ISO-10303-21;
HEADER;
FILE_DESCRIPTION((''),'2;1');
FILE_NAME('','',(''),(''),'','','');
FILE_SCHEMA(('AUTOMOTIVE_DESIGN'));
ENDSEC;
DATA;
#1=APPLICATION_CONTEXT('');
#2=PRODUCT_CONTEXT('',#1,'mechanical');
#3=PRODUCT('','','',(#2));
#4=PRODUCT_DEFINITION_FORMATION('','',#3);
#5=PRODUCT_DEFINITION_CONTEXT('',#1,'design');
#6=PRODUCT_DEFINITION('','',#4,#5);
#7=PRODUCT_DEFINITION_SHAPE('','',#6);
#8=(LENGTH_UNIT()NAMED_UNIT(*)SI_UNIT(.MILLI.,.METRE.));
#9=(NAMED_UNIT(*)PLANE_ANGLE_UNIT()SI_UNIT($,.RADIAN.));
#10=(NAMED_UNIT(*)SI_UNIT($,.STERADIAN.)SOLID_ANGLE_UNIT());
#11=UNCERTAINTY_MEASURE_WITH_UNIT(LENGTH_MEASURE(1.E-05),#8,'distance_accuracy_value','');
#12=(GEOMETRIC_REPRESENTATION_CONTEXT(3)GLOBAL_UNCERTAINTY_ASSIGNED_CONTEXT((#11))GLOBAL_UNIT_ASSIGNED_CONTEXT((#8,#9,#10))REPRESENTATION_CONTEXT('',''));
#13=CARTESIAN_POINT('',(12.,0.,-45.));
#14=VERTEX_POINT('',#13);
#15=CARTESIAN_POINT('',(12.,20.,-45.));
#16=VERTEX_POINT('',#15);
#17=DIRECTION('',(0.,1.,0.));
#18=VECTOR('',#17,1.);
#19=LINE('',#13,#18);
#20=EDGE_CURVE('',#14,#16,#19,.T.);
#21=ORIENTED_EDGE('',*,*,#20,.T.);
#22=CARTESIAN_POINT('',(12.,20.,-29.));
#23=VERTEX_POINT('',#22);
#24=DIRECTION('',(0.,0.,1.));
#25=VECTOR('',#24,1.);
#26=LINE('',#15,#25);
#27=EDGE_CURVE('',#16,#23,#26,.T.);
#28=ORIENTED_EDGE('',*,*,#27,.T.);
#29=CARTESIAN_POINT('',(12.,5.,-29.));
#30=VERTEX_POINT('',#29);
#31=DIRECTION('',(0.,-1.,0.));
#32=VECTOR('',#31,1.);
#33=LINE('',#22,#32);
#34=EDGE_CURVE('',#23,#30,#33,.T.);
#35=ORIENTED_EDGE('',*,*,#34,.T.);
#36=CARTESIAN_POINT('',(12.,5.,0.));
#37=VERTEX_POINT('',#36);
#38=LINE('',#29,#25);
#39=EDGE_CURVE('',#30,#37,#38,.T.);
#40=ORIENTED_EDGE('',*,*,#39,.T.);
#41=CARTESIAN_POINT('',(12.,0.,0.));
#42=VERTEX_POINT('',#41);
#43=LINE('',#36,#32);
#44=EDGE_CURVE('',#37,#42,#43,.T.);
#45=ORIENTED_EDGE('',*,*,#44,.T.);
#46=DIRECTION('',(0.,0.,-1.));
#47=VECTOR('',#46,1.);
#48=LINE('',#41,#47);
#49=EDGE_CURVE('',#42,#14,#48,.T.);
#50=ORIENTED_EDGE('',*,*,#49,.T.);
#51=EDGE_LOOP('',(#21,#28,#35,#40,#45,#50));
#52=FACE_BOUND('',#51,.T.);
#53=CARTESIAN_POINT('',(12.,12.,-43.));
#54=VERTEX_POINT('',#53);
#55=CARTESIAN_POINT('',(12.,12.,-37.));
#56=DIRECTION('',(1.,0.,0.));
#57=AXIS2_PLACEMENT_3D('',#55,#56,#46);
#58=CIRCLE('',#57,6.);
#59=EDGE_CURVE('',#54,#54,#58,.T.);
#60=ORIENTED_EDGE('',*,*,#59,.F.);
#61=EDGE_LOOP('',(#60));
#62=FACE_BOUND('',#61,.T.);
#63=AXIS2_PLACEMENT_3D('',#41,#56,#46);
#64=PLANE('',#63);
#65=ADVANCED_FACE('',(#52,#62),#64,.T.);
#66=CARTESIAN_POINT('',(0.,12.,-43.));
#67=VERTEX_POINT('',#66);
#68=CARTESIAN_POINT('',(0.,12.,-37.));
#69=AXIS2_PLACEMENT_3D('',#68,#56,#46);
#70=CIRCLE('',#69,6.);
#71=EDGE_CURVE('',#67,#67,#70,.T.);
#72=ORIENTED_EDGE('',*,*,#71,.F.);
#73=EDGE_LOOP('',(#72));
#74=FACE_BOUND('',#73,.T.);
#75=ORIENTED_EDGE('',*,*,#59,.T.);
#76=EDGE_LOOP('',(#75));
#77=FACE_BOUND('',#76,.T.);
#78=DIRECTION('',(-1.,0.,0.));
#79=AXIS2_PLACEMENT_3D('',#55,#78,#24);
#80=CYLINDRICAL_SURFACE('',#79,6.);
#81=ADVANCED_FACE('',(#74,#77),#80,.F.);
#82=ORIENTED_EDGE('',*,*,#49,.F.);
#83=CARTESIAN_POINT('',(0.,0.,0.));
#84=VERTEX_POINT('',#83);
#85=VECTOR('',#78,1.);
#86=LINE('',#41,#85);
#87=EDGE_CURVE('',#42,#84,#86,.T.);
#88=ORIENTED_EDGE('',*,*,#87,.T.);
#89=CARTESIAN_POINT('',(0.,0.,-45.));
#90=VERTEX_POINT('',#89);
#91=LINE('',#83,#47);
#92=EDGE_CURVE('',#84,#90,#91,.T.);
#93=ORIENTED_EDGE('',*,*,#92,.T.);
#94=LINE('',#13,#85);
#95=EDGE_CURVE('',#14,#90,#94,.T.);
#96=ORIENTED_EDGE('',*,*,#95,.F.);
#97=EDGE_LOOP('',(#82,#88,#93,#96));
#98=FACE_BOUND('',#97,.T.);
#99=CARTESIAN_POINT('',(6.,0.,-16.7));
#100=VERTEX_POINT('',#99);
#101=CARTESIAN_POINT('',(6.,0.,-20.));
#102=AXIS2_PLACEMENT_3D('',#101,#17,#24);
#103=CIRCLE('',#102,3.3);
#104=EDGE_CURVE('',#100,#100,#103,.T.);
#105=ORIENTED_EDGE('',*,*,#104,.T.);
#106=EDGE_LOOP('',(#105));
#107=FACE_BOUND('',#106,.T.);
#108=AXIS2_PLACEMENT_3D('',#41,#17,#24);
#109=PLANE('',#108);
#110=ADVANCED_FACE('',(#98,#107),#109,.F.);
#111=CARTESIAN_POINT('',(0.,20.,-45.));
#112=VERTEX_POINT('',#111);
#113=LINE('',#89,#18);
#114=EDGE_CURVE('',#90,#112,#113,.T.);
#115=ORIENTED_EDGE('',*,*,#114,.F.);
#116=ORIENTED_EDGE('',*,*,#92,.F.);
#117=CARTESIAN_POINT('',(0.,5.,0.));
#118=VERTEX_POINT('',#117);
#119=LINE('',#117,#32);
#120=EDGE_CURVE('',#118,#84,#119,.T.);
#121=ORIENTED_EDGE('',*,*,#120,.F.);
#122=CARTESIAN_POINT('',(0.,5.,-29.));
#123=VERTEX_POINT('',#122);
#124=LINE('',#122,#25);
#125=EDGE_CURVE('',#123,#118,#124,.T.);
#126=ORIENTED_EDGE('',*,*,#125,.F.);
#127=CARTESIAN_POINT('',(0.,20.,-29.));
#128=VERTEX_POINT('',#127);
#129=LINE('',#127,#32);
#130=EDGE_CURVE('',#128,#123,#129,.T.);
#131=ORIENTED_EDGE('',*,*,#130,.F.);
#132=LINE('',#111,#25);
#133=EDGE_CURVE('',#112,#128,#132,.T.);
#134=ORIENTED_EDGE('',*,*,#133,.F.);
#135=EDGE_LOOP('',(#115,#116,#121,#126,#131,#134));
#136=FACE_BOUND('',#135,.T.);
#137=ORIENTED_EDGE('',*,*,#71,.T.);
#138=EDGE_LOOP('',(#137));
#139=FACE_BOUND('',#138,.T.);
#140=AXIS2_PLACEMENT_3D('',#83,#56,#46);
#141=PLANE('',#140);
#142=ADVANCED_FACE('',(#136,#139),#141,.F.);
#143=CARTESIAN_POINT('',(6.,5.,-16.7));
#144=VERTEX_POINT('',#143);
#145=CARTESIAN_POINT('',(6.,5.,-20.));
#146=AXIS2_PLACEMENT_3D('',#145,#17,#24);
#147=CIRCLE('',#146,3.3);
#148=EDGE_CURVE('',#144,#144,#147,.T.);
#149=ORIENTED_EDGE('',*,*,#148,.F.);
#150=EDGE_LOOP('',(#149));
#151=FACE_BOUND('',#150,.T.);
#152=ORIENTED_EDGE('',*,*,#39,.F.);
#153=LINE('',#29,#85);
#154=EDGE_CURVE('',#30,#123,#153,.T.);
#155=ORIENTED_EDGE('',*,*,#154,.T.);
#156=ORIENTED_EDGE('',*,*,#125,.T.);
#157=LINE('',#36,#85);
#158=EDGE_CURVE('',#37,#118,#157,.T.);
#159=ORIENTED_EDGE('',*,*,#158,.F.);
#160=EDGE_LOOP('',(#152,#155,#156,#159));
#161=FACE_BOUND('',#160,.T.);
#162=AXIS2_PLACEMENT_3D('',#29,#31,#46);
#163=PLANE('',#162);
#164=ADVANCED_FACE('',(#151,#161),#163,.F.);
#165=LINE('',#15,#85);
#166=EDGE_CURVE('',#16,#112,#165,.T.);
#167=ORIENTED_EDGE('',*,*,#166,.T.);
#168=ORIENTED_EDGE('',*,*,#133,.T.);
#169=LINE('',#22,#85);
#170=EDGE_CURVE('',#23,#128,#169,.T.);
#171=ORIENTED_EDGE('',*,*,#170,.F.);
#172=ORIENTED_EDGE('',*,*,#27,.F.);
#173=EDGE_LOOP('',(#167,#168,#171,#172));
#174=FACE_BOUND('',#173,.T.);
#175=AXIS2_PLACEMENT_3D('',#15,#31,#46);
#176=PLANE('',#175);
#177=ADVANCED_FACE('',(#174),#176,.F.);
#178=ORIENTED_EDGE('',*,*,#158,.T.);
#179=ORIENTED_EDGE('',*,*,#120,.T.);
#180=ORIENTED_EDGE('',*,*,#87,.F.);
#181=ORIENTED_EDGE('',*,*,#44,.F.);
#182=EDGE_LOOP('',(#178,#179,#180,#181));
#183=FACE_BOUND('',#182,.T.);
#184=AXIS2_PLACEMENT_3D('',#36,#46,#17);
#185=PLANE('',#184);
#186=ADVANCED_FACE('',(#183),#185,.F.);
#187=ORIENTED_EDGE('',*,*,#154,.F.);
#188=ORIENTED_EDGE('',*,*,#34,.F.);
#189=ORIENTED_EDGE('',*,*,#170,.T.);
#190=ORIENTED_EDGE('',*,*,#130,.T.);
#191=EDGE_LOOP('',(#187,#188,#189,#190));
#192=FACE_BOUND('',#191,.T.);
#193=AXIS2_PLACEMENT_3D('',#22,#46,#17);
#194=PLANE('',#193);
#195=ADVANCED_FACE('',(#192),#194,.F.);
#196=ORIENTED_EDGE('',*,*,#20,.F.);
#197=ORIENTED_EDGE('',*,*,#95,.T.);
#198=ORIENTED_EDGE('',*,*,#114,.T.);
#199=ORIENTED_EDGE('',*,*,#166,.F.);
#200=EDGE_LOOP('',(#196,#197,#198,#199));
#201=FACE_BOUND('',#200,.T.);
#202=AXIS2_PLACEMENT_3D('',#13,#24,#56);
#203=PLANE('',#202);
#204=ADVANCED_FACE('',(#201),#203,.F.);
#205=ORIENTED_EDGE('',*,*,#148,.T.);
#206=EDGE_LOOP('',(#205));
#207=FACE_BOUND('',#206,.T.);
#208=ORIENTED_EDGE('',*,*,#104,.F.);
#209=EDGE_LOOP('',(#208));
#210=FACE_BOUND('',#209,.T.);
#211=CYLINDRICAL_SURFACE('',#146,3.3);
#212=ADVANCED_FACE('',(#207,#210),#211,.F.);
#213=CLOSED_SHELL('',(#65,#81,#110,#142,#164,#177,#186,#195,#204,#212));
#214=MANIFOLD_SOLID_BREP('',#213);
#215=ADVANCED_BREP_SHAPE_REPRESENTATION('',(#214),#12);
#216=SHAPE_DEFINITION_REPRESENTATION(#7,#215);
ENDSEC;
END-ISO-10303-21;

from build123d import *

# Parameters (mm, degrees)
SKETCH1_R            = 6
BOSS_EXTRUDE1_DEPTH  = 12
M6_CLEARANCE_HOLE1_D = 6.6


with BuildPart() as part:
    # Sketch1 → Boss-Extrude1 (new body)
    with BuildSketch(Plane(origin=(0, 0, 0), x_dir=(0, 0, -1), z_dir=(1, 0, 0))):
        Polygon((0, 0), (45, 0), (45, 20), (29, 20), (29, 5), (0, 5), align=None)
        with Locations((37, 12)):
            Circle(SKETCH1_R, mode=Mode.SUBTRACT)
    extrude(amount=BOSS_EXTRUDE1_DEPTH)

    # M6 Clearance Hole1 (through all)
    with Locations(Plane(origin=(0, 5, 0), x_dir=(-1, 0, 0), z_dir=(0, 1, 0))):
        with Locations((-6, -20)):
            Hole(M6_CLEARANCE_HOLE1_D / 2)


solid = part.part
